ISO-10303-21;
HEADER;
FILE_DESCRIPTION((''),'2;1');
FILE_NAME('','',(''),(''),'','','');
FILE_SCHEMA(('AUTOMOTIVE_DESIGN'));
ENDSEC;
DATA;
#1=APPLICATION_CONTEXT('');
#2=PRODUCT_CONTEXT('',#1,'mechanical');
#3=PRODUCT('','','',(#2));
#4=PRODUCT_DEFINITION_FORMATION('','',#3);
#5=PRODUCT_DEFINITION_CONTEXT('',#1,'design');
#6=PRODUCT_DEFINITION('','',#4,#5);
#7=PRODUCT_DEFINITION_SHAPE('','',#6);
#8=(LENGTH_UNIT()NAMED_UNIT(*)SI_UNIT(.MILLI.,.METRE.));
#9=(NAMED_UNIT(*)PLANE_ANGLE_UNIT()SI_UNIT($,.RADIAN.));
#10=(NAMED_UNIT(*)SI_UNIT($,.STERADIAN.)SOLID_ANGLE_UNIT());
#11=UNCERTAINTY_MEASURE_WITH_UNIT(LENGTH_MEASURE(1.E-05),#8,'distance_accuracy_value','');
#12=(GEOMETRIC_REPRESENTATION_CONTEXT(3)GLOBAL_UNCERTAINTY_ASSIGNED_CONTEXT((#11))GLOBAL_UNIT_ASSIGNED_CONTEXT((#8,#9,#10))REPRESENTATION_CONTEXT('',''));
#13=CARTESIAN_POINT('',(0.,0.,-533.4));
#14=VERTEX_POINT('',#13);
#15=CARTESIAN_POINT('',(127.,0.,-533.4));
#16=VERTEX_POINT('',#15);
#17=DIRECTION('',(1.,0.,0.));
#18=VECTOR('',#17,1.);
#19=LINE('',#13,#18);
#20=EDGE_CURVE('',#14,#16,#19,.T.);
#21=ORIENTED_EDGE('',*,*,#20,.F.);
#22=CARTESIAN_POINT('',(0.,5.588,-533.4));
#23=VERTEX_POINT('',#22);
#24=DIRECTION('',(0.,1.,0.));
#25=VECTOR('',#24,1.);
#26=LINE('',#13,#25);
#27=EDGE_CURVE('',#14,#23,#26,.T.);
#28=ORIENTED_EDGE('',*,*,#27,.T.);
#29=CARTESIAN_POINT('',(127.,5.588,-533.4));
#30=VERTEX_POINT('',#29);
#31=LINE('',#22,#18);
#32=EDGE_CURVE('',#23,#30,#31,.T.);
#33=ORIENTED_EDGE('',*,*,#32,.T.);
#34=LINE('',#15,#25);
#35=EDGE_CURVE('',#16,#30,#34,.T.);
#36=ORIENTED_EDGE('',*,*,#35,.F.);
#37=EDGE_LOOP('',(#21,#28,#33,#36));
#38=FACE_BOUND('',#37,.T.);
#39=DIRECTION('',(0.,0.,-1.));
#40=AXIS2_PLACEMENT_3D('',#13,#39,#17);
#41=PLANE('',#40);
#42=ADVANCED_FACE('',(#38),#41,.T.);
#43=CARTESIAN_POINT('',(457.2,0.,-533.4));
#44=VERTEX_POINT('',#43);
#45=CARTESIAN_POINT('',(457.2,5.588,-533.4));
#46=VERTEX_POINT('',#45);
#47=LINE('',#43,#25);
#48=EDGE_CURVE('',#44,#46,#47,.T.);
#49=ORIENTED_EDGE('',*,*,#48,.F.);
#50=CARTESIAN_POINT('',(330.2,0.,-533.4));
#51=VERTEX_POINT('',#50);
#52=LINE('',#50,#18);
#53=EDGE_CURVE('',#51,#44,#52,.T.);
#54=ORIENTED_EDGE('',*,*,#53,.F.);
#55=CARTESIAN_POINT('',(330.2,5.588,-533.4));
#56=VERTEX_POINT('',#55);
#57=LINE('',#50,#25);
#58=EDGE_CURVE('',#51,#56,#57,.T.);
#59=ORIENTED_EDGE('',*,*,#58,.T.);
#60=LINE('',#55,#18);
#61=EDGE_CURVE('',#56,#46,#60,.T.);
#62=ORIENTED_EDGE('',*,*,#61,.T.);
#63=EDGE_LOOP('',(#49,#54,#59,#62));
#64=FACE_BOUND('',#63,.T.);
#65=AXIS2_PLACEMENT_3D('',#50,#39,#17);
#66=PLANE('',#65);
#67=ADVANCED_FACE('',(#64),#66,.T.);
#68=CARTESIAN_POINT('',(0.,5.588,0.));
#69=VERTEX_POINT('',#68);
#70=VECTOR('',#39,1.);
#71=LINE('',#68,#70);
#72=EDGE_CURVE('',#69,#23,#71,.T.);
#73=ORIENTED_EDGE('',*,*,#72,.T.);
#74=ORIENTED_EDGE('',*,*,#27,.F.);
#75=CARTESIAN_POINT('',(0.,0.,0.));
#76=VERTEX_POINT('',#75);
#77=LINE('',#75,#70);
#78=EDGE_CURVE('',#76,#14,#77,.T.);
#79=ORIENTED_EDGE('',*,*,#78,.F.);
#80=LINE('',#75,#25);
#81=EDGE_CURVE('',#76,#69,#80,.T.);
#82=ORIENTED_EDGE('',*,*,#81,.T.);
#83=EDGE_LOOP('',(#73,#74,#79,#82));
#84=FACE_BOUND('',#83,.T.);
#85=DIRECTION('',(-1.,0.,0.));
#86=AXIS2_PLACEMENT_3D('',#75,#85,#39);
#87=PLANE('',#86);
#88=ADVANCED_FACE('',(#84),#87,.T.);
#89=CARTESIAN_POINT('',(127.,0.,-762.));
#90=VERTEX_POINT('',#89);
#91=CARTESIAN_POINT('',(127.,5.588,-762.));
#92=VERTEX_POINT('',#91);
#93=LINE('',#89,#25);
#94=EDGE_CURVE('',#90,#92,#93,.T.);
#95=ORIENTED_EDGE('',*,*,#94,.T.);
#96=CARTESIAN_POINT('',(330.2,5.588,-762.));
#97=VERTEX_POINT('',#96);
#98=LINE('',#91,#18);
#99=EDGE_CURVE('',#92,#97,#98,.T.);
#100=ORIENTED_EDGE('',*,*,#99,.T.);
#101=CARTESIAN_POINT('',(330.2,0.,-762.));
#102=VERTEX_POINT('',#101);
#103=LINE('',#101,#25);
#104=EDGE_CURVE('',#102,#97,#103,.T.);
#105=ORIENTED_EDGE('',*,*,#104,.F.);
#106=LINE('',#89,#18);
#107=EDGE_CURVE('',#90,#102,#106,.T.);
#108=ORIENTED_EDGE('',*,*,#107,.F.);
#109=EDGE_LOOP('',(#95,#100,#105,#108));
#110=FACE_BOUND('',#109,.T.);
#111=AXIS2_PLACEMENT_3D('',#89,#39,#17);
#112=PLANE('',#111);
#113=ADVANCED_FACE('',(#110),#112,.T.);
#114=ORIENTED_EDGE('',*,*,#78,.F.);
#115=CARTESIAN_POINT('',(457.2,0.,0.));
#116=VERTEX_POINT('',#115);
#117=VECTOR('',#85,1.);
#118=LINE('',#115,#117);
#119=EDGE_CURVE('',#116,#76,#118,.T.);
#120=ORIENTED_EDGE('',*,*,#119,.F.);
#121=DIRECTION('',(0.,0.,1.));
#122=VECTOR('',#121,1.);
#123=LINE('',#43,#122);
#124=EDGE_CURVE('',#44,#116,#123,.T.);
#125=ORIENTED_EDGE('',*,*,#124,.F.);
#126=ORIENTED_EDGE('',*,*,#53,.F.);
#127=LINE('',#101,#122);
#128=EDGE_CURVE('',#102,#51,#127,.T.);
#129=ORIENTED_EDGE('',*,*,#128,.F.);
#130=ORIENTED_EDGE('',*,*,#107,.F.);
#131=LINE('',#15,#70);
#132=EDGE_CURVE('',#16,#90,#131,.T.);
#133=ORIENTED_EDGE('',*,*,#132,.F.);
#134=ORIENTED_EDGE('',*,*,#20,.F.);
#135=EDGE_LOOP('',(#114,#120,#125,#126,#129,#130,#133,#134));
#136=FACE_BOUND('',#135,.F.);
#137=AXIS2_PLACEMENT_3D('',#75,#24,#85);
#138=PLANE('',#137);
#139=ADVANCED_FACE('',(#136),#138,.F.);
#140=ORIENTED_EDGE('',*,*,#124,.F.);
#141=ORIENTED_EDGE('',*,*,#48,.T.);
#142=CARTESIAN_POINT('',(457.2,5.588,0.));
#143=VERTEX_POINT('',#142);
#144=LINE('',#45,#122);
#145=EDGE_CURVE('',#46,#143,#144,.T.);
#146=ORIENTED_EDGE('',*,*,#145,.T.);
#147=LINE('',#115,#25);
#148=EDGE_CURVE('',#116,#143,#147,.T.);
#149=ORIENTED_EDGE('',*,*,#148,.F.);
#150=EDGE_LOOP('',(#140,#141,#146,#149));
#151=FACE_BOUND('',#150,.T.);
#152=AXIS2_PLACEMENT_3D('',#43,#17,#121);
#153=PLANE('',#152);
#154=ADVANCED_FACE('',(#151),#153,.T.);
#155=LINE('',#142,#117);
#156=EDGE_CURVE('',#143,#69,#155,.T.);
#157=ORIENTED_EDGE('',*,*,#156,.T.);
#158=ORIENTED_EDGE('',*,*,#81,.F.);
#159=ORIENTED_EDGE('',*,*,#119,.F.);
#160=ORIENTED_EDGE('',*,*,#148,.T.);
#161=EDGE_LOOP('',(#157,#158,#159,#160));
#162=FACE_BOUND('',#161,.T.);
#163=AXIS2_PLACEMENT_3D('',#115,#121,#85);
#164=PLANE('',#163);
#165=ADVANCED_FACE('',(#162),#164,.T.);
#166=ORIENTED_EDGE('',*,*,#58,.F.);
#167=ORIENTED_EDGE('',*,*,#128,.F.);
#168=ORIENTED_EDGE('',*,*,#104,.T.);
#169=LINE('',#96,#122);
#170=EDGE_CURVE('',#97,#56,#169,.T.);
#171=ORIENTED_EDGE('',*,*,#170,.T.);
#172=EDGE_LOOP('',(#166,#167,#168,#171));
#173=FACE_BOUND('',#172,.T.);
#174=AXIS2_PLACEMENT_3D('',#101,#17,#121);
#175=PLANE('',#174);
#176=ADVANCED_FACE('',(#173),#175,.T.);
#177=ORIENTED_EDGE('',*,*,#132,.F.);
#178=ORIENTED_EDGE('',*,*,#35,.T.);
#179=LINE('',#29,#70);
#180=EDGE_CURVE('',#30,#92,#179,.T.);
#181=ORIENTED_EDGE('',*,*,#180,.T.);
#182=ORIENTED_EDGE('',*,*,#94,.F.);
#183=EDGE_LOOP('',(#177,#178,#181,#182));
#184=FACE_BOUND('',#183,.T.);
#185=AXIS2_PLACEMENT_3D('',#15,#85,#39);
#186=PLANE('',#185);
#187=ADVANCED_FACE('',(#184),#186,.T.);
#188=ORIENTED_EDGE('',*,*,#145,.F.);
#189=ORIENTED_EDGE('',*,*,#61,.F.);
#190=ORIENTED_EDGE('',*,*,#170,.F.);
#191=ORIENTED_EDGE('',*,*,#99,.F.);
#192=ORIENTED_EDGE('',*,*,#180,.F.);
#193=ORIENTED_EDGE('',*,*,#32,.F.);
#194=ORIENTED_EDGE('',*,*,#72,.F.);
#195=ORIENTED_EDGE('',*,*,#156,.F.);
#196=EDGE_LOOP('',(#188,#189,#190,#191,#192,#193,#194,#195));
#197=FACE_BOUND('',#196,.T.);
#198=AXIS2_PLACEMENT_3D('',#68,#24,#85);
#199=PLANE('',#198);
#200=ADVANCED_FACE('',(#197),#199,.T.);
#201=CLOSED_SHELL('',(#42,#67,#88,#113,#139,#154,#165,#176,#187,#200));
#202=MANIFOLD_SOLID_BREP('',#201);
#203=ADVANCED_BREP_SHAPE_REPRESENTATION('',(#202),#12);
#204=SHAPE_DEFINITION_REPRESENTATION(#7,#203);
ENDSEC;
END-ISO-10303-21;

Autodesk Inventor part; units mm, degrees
ref_plane "YZ Plane" through (0, 0, 0) normal (1, 0, 0) x (0, 1, 0)
ref_plane "XZ Plane" through (0, 0, 0) normal (0, 1, 0) x (-1, 0, 0)
ref_plane "XY Plane" through (0, 0, 0) normal (0, 0, 1) x (1, 0, 0)
sketch "Sketch1" plane through (0, 0, 0) normal (0, 1, 0) x (-1, 0, 0)
  line L0 (0, 0) -> (0, -533.4)
  line L1 (0, -533.4) -> (-127, -533.4)
  line L2 (-127, -533.4) -> (-127, -762)
  line L3 (-127, -762) -> (-330.2, -762)
  line L4 (-330.2, -762) -> (-330.2, -533.4)
  line L5 (-330.2, -533.4) -> (-457.2, -533.4)
  line L6 (-457.2, -533.4) -> (-457.2, 0)
  line L7 (-457.2, 0) -> (0, 0)
  point P0 (-127, -647.7)
  point P1 (-330.2, -647.7)
  dimension "d0" = 203.2
  dimension "d1" = 228.6
  dimension "d2" = 127
  dimension "d3" = 533.4
extrude "Extrusion1" add sketch "Sketch1" along normal blind 5.588
properties part number "Lexan Underbelly" material "Polycarbonate, Clear"
